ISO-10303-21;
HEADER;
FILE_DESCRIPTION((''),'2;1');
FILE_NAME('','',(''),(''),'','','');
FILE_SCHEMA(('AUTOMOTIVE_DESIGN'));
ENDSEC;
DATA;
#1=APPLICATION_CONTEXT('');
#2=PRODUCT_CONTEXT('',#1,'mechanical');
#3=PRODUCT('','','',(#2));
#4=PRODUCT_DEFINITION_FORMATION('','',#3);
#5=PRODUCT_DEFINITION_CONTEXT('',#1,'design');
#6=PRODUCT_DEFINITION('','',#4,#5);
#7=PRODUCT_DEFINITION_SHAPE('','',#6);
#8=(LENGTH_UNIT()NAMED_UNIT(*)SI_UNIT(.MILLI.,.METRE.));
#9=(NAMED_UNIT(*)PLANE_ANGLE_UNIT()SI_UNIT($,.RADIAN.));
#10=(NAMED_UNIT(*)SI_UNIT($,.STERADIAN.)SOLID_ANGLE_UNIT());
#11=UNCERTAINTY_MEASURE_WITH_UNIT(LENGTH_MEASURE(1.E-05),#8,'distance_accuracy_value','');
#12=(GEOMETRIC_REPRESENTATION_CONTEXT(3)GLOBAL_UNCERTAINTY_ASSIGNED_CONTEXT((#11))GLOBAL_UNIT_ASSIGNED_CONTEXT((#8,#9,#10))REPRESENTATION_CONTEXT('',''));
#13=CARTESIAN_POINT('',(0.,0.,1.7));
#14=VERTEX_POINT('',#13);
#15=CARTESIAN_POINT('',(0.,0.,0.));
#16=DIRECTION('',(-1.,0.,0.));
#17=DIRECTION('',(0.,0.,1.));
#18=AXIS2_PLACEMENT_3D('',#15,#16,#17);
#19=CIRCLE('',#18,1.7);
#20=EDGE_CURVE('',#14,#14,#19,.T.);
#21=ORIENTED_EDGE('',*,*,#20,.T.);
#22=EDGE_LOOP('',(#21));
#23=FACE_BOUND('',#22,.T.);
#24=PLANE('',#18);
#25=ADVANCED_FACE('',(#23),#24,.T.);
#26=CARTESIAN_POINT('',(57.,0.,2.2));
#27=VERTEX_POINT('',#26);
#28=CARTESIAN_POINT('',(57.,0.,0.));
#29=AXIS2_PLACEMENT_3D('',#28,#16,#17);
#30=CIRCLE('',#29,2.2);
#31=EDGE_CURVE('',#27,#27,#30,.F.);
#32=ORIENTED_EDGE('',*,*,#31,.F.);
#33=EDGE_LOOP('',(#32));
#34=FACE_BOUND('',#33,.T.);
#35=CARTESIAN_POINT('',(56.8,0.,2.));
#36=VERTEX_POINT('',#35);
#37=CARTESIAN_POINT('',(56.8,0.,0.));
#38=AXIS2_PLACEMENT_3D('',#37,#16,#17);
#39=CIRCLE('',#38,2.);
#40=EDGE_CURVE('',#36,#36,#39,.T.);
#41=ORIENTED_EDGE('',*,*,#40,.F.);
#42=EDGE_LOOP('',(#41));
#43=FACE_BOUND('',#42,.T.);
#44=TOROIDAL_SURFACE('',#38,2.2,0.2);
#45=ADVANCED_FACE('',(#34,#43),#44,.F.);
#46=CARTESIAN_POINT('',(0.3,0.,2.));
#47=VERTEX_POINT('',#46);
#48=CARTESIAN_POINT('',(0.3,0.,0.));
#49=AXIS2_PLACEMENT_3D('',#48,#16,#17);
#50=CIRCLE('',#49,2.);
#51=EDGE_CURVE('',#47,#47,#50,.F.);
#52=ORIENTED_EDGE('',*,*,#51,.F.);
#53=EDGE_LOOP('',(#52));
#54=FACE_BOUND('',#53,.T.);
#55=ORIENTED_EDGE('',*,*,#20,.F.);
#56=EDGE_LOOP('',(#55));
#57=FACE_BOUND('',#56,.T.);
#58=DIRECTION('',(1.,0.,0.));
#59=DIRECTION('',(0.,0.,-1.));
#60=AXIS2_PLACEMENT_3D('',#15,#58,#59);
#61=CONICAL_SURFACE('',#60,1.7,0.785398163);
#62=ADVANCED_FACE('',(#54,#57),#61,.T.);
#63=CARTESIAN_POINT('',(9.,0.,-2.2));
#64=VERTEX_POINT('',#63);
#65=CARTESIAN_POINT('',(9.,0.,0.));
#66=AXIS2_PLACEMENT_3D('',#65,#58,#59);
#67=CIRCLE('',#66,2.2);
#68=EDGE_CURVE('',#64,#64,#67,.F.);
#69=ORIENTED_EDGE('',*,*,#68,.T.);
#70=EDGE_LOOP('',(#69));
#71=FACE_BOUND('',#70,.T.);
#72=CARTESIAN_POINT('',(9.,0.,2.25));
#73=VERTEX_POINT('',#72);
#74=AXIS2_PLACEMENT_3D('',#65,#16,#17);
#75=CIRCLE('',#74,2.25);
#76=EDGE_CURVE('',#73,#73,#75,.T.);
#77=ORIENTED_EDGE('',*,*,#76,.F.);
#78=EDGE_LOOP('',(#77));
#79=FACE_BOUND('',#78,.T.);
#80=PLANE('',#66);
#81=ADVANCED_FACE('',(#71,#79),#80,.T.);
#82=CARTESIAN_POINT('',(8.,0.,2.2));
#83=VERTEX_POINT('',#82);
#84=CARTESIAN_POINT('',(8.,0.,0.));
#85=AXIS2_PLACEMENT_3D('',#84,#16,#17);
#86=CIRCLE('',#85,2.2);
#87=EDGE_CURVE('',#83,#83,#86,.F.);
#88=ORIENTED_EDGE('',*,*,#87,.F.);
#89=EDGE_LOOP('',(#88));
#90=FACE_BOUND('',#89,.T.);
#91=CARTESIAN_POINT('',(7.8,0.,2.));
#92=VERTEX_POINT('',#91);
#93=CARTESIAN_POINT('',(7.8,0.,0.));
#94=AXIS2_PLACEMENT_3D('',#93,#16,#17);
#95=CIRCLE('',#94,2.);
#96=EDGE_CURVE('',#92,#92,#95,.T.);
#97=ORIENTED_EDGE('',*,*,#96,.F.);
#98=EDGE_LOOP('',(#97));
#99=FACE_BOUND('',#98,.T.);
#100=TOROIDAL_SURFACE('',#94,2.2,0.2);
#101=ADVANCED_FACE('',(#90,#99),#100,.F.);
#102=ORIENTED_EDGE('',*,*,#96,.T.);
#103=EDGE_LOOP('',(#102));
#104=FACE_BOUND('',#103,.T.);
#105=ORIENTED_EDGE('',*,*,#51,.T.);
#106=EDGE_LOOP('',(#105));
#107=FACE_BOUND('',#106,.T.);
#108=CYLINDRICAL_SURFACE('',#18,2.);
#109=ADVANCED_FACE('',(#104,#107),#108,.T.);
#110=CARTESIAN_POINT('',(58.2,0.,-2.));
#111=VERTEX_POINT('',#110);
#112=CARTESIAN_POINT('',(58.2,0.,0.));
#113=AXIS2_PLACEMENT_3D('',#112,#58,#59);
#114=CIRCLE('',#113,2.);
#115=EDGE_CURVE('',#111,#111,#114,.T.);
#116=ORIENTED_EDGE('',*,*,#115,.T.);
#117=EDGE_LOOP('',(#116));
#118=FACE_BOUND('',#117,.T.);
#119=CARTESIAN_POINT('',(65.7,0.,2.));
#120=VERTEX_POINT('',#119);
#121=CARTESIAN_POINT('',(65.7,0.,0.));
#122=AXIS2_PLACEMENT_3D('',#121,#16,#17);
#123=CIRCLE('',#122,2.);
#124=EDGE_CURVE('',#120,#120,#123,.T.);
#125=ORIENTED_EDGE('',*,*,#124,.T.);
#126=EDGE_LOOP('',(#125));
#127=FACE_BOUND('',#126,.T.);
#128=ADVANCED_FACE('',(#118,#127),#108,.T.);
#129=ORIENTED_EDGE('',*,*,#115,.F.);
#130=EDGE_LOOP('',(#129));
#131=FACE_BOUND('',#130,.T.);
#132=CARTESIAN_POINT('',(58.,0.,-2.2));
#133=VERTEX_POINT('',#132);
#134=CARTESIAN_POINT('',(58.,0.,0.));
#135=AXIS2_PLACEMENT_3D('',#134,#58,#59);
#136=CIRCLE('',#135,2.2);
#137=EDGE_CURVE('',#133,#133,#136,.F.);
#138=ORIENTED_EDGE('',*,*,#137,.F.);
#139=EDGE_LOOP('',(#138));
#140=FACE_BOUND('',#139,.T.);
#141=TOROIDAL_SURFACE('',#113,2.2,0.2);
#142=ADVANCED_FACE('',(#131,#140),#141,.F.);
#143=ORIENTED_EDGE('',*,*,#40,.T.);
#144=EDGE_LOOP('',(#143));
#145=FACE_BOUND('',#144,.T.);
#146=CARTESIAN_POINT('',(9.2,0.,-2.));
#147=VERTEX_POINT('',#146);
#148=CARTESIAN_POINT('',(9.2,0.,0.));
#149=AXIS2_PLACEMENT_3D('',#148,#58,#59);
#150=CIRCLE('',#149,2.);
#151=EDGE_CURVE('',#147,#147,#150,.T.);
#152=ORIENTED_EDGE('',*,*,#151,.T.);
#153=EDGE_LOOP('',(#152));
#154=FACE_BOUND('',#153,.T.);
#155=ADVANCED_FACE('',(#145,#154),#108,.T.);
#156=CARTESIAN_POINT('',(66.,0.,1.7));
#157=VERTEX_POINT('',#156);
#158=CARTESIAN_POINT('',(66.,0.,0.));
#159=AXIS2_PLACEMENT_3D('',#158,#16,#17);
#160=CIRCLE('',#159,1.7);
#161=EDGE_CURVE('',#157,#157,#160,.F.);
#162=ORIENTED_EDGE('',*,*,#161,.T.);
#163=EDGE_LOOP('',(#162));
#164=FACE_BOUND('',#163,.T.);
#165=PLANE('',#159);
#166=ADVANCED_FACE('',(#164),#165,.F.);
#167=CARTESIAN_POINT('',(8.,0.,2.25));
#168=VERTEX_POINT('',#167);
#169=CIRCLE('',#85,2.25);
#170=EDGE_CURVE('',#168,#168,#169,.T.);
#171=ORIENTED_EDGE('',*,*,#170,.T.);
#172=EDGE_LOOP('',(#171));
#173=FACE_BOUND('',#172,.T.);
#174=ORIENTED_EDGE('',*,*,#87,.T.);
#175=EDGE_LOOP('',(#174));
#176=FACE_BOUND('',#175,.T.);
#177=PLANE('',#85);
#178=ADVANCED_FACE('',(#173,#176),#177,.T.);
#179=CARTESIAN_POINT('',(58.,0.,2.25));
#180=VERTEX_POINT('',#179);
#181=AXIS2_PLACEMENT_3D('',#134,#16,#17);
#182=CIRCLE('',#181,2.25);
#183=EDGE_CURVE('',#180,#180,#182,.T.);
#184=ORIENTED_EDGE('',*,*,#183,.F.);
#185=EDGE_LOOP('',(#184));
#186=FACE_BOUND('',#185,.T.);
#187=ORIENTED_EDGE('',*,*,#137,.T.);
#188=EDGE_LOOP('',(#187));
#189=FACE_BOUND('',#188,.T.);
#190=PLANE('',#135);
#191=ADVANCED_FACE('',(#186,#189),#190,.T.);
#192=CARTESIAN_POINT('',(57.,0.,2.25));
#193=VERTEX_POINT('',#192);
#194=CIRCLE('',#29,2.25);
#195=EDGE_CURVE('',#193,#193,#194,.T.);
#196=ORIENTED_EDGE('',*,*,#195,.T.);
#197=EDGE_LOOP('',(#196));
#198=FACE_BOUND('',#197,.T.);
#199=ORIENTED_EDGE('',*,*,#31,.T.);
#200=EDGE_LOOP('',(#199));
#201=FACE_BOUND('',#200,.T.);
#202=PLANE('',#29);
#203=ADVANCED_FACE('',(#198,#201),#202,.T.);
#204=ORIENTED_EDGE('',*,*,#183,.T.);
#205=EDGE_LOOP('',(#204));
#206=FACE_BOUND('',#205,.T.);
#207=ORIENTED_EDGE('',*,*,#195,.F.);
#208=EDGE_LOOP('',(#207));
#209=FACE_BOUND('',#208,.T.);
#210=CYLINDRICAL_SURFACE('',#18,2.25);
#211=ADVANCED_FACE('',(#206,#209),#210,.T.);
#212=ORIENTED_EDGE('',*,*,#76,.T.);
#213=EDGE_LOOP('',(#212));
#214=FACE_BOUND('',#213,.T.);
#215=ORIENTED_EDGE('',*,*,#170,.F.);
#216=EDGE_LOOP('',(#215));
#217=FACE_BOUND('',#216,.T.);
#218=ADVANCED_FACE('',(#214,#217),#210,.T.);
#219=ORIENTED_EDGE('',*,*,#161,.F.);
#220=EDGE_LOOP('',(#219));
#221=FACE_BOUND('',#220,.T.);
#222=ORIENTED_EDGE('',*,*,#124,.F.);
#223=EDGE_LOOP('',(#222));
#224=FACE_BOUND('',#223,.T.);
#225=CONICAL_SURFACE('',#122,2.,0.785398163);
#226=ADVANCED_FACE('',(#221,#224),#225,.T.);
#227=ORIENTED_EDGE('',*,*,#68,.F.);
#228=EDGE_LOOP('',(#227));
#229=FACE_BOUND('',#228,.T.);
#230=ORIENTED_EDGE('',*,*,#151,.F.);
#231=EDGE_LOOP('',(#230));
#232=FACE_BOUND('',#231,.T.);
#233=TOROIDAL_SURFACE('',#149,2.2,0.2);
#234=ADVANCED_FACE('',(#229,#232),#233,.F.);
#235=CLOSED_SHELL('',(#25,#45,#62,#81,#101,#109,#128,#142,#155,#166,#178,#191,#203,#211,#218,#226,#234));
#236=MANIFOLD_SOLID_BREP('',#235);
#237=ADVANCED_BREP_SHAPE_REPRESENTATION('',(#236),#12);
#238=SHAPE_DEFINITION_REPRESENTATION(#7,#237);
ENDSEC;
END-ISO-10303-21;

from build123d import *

# Parameters (mm, degrees)
SKETCH2_W     = 8
SKETCH2_H     = 2
SKETCH2_W_2   = 24
FILLET1_R     = 0.2
CHAMFER1_SIZE = 0.3


with BuildPart() as part:
    # Sketch2 → Revolve1 (revolve)
    with BuildSketch(Plane.XY, mode=Mode.PRIVATE) as revolve1_sk:
        with Locations((4, 1)):
            Rectangle(SKETCH2_W, SKETCH2_H)
        with Locations((14, 1)):
            Rectangle(SKETCH2_W, SKETCH2_H)
        Polygon((8, 2.25), (8, 2), (8, 0), (10, 0), (10, 2), (9, 2), (9, 2.25), align=None)
        with Locations((30, 1)):
            Rectangle(SKETCH2_W_2, SKETCH2_H)
        with Locations((46, 1)):
            Rectangle(SKETCH2_W, SKETCH2_H)
        Polygon((50, 2), (50, 0), (58, 0), (58, 2), (58, 2.25), (57, 2.25), (57, 2), align=None)
        with Locations((62, 1)):
            Rectangle(SKETCH2_W, SKETCH2_H)
    revolve(revolve1_sk.sketch.rotate(Axis((0, 0, 0), (1, 0, 0)), 90), axis=Axis((0, 0, 0), (1, 0, 0)))

    # Fillet1
    fillet1_edges = [part.edges().sort_by_distance(p)[0] for p in [
        (8, 0, -2),
        (9, 0, -2),
        (57, 0, -2),
        (58, 0, -2),
    ]]
    fillet(fillet1_edges, radius=FILLET1_R)

    # Chamfer1
    chamfer1_edges = [part.edges().sort_by_distance(p)[0] for p in [
        (0, 0, -2),
        (66, 0, -2),
    ]]
    chamfer(chamfer1_edges, length=CHAMFER1_SIZE)


solid = part.part
